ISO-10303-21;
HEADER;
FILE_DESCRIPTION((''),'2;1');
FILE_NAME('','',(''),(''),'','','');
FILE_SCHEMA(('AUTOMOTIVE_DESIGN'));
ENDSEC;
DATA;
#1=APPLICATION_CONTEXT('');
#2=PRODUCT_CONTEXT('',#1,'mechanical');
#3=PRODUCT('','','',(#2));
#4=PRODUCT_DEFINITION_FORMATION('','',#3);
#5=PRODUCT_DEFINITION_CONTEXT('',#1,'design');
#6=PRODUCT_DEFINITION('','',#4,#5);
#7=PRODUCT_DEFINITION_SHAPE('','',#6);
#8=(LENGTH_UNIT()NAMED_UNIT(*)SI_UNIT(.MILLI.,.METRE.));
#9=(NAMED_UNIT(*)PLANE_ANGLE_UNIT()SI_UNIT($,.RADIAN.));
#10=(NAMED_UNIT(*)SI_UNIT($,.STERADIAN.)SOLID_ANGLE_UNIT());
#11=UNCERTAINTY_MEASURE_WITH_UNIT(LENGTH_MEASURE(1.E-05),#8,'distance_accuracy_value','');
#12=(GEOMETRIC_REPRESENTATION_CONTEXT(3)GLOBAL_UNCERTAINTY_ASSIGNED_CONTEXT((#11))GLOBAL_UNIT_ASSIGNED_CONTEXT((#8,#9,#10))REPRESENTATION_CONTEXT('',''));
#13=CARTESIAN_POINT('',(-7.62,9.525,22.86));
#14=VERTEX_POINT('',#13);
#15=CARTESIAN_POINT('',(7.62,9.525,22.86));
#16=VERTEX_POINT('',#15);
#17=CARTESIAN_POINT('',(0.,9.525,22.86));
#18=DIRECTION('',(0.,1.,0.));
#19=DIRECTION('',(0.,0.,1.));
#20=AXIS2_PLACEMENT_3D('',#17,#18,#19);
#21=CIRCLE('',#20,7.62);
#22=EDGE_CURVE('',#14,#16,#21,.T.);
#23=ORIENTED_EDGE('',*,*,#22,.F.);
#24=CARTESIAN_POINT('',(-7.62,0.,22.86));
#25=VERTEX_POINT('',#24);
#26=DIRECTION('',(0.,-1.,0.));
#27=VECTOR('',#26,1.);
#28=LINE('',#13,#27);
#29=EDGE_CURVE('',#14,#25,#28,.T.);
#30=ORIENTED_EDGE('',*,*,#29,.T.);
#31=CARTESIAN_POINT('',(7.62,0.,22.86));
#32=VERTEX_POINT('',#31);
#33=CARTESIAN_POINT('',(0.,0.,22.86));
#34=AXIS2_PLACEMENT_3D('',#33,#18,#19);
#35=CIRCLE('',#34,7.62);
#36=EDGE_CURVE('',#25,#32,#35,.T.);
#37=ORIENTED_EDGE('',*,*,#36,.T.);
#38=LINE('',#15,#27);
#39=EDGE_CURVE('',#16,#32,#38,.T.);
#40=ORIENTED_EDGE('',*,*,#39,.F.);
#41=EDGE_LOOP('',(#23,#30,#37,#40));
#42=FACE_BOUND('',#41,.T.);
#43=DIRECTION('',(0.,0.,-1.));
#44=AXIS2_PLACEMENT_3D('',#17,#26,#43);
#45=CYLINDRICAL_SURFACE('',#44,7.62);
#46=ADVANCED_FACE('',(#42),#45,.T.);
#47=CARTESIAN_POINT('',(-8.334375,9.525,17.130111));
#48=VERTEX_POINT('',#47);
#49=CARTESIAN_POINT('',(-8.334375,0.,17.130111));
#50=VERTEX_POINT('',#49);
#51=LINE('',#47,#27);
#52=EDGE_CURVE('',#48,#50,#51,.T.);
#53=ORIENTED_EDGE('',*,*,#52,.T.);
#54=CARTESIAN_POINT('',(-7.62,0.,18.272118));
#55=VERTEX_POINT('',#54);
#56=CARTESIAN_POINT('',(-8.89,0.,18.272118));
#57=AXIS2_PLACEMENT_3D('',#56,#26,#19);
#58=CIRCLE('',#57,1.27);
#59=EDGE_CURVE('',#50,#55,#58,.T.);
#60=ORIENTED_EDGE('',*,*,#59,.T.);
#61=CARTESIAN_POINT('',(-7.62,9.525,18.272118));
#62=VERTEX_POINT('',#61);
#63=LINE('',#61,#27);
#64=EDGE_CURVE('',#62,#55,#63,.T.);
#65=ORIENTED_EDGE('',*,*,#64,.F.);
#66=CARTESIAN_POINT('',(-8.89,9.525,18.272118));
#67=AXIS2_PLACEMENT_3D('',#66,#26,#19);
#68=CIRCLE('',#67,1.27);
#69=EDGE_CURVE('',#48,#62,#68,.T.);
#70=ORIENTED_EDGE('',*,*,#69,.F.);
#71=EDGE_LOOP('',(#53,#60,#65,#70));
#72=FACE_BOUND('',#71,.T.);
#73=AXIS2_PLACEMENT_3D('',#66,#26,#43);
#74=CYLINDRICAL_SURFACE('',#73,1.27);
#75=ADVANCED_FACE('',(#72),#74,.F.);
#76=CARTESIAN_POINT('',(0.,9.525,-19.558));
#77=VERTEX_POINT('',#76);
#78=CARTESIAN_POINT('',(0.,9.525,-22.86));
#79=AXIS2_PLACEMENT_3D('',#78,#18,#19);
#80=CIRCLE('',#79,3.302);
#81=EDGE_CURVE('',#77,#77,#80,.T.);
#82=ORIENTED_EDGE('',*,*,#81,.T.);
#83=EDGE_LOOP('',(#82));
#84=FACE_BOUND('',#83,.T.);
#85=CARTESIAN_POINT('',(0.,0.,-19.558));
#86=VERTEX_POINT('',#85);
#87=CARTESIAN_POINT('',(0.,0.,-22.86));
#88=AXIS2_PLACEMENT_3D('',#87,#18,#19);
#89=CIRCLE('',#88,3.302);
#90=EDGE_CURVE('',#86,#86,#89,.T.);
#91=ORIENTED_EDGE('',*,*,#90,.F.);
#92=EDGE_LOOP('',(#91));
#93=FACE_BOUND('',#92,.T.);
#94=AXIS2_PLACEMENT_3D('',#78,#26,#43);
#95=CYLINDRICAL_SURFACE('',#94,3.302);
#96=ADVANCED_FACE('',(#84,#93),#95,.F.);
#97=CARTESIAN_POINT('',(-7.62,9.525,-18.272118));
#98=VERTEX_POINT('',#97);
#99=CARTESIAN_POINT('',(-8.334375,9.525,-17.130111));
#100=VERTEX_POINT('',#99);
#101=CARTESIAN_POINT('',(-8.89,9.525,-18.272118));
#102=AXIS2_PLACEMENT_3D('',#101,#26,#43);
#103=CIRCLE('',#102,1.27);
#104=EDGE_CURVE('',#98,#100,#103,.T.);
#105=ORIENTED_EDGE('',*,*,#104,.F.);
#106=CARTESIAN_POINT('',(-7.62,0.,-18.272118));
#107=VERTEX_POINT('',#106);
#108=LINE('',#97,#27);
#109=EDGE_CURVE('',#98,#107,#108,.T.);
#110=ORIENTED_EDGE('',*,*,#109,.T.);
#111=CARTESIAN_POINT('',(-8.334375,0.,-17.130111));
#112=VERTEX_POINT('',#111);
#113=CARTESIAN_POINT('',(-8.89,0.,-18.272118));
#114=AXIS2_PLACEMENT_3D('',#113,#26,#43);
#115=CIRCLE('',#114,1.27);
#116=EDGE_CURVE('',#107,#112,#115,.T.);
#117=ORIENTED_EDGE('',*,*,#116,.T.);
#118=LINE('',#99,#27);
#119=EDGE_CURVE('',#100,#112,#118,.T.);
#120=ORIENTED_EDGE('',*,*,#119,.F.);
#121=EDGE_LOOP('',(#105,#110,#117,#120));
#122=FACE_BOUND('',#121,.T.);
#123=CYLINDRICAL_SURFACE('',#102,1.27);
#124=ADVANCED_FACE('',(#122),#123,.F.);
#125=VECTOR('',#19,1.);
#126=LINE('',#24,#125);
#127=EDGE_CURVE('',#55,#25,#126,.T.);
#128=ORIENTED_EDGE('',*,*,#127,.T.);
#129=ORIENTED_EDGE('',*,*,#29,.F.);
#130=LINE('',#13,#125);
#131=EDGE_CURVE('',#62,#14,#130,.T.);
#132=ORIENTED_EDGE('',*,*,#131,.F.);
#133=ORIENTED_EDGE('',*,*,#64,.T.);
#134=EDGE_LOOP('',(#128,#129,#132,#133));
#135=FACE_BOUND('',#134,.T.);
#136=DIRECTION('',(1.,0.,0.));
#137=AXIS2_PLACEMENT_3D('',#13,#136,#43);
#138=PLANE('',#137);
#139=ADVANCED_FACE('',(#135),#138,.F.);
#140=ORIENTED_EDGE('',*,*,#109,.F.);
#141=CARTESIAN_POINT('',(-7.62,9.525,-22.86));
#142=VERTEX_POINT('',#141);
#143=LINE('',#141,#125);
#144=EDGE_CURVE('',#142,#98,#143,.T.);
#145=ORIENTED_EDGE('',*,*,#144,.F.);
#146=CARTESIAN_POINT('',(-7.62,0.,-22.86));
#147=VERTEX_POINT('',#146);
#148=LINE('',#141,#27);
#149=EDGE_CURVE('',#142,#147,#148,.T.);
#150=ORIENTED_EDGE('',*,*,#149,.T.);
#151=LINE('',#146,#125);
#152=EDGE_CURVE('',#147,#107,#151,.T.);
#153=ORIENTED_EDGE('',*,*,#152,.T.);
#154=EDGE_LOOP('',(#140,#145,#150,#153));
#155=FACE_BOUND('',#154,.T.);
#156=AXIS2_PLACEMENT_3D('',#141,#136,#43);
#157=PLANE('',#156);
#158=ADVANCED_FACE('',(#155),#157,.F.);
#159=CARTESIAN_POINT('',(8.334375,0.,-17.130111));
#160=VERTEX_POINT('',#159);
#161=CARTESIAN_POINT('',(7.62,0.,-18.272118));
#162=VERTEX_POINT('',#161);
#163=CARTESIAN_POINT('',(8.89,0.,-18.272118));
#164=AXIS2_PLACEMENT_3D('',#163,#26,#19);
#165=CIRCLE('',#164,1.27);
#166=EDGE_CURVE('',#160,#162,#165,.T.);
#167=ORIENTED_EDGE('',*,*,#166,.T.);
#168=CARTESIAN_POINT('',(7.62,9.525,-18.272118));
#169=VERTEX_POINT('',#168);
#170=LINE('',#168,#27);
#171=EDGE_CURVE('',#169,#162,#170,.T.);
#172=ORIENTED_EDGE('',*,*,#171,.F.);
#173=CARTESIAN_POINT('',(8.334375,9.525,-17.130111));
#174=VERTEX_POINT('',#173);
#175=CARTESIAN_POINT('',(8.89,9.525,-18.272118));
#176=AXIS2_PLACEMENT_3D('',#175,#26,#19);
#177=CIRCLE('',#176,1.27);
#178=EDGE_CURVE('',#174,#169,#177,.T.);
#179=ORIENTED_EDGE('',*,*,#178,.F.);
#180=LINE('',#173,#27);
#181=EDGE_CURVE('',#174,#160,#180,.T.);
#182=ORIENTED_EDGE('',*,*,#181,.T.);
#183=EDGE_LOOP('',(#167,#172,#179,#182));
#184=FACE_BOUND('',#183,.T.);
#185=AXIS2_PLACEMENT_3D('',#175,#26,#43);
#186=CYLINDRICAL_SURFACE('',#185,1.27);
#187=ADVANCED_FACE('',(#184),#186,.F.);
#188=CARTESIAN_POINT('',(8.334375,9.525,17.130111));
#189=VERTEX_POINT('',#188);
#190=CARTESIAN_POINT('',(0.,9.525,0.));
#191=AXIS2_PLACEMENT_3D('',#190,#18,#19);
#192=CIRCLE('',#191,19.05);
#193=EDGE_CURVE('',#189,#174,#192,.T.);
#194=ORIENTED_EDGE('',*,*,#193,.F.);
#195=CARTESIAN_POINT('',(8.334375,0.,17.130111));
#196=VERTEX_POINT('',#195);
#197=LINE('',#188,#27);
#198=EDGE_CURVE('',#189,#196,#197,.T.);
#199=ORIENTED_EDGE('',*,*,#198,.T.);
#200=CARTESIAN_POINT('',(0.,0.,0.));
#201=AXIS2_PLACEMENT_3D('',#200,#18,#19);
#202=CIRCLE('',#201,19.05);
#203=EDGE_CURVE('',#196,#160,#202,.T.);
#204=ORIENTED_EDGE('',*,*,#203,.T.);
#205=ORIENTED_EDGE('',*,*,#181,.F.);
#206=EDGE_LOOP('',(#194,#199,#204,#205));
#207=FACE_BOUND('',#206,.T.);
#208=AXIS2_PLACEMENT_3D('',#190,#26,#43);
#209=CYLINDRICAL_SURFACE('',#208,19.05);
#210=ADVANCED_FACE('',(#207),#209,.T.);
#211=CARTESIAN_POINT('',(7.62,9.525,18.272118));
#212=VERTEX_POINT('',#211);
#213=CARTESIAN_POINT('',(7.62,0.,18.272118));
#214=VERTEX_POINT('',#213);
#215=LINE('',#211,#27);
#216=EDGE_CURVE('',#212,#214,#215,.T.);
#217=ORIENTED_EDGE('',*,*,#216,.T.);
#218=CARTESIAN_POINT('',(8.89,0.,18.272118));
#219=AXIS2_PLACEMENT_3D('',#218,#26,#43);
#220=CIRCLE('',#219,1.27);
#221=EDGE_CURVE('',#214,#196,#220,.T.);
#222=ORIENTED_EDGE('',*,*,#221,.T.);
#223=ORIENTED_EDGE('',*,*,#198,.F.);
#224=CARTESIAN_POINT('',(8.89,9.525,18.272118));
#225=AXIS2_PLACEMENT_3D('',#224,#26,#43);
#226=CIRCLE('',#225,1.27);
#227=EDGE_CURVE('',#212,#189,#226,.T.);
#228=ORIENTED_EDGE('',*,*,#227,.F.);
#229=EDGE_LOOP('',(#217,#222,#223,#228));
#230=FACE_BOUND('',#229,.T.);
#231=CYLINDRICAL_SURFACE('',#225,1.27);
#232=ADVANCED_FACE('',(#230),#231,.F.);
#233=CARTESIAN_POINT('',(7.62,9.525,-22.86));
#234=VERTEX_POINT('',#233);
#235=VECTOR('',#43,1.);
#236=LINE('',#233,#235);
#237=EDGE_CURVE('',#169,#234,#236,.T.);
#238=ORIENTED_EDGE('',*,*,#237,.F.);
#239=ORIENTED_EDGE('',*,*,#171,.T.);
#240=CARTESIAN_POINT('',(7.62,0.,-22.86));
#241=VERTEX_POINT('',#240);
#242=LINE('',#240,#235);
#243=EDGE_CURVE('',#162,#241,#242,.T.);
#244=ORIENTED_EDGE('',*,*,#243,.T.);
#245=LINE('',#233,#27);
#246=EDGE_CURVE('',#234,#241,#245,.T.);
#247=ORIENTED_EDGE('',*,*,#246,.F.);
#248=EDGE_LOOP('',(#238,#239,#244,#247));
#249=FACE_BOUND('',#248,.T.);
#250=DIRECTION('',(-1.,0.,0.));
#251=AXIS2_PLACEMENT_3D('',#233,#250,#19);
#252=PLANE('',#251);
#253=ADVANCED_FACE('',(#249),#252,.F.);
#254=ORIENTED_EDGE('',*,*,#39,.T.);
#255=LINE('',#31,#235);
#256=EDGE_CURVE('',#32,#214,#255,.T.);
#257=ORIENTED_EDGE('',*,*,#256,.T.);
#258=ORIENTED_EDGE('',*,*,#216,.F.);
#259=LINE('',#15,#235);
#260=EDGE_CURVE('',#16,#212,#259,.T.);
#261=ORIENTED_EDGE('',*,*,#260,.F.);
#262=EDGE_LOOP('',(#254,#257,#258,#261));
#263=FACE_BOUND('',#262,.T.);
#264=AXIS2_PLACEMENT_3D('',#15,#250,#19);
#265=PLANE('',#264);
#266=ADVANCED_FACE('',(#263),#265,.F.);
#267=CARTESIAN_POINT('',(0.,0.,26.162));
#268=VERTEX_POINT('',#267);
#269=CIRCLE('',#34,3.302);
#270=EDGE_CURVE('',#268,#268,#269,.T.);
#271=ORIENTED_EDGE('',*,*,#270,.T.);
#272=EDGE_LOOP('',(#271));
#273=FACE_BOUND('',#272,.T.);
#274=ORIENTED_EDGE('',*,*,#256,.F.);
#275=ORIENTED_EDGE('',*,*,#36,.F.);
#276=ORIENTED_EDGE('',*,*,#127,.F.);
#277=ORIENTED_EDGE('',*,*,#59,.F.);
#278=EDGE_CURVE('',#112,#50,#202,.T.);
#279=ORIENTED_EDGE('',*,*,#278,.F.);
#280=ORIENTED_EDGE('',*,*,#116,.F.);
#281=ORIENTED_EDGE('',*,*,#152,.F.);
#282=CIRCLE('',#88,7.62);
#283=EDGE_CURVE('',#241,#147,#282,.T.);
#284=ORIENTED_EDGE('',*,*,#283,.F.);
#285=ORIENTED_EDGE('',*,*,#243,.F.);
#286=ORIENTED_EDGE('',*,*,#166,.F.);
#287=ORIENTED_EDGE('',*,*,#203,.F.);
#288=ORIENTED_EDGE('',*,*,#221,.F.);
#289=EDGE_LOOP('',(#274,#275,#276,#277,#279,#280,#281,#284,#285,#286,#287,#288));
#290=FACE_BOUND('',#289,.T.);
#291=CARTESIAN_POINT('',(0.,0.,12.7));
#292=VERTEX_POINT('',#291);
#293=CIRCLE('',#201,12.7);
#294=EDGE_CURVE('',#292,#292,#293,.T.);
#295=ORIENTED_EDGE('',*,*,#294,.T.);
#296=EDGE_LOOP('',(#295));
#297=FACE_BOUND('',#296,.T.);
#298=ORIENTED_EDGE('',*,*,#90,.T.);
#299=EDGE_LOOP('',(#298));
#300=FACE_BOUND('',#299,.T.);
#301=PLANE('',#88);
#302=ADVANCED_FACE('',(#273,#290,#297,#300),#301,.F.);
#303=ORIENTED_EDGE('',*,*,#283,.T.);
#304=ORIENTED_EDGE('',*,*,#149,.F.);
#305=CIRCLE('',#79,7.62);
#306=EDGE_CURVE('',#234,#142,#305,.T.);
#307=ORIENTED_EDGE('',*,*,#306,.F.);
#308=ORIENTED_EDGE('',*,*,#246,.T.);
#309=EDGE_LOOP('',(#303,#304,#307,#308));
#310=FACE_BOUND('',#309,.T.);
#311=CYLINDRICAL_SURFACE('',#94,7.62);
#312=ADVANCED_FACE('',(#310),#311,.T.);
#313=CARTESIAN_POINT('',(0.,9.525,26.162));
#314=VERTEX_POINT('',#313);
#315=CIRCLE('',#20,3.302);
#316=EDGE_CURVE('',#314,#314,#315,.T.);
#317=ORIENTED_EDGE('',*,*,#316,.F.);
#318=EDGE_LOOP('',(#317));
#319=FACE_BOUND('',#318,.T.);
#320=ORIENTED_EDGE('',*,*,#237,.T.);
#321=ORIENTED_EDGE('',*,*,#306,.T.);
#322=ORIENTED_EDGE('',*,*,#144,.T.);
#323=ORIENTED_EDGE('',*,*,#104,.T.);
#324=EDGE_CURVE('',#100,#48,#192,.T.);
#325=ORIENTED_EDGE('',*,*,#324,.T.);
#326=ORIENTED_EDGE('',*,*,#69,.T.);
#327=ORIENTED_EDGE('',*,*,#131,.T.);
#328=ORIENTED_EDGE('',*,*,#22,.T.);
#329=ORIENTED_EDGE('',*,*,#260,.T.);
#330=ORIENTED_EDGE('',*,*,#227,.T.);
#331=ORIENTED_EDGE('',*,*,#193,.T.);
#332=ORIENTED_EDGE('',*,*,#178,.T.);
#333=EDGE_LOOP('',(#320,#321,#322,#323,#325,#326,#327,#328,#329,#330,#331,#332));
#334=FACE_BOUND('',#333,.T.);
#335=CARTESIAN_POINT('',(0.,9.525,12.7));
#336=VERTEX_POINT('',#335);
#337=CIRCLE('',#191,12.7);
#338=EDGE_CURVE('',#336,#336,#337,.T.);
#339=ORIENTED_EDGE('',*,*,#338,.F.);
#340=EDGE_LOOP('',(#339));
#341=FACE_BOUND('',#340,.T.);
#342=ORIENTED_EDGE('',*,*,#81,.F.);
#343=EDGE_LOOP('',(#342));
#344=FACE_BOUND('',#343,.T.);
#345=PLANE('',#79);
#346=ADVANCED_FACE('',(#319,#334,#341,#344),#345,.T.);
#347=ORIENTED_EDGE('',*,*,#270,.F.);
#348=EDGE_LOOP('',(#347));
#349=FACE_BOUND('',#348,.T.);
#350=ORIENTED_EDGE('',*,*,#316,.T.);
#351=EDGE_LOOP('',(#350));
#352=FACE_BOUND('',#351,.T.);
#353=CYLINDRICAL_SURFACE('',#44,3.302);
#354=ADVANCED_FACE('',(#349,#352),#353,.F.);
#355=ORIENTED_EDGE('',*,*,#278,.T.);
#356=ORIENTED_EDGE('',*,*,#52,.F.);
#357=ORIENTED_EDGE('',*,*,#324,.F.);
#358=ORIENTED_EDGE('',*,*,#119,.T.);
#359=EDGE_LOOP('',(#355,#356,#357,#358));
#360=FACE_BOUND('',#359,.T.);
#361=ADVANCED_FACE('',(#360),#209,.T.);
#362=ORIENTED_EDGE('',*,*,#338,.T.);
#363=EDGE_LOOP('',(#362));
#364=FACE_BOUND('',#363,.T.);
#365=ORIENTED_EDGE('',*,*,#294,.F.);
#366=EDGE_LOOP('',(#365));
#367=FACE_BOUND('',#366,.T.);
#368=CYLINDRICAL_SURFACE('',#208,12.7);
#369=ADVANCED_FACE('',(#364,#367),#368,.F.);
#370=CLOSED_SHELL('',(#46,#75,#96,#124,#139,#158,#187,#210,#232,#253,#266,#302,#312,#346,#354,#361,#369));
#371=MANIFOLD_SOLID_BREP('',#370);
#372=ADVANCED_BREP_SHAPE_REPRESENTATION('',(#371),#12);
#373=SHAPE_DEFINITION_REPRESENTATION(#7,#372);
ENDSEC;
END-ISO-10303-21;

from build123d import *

# Parameters (mm, degrees)
SKETCH1_R           = 12.7
SKETCH1_R_2         = 3.302
BOSS_EXTRUDE1_DEPTH = 9.525


with BuildPart() as part:
    # Sketch1 → Boss-Extrude1 (new body)
    with BuildSketch(Plane(origin=(0, 0, 0), x_dir=(1, 0, 0), z_dir=(0, 1, 0))):
        with BuildLine():
            Line((7.62, 22.86), (7.62, 18.272118104))
            ThreePointArc((7.62, 18.272118104), (7.813305115, 17.598598895), (8.334375, 17.130110722))
            ThreePointArc((8.334375, 17.130110722), (19.05, 0), (8.334375, -17.130110722))
            ThreePointArc((8.334375, -17.130110722), (7.813305115, -17.598598895), (7.62, -18.272118104))
            Line((7.62, -18.272118104), (7.62, -22.86))
            ThreePointArc((7.62, -22.86), (0, -30.48), (-7.62, -22.86))
            Line((-7.62, -22.86), (-7.62, -18.272118104))
            ThreePointArc((-7.62, -18.272118104), (-7.813305115, -17.598598895), (-8.334375, -17.130110722))
            ThreePointArc((-8.334375, -17.130110722), (-19.05, 0), (-8.334375, 17.130110722))
            ThreePointArc((-8.334375, 17.130110722), (-7.813305115, 17.598598895), (-7.62, 18.272118104))
            Line((-7.62, 18.272118104), (-7.62, 22.86))
            ThreePointArc((-7.62, 22.86), (0, 30.48), (7.62, 22.86))
        make_face()
        Circle(SKETCH1_R, mode=Mode.SUBTRACT)
        with Locations((0, 22.86)):
            Circle(SKETCH1_R_2, mode=Mode.SUBTRACT)
        with Locations((0, -22.86)):
            Circle(SKETCH1_R_2, mode=Mode.SUBTRACT)
    extrude(amount=BOSS_EXTRUDE1_DEPTH)


solid = part.part
